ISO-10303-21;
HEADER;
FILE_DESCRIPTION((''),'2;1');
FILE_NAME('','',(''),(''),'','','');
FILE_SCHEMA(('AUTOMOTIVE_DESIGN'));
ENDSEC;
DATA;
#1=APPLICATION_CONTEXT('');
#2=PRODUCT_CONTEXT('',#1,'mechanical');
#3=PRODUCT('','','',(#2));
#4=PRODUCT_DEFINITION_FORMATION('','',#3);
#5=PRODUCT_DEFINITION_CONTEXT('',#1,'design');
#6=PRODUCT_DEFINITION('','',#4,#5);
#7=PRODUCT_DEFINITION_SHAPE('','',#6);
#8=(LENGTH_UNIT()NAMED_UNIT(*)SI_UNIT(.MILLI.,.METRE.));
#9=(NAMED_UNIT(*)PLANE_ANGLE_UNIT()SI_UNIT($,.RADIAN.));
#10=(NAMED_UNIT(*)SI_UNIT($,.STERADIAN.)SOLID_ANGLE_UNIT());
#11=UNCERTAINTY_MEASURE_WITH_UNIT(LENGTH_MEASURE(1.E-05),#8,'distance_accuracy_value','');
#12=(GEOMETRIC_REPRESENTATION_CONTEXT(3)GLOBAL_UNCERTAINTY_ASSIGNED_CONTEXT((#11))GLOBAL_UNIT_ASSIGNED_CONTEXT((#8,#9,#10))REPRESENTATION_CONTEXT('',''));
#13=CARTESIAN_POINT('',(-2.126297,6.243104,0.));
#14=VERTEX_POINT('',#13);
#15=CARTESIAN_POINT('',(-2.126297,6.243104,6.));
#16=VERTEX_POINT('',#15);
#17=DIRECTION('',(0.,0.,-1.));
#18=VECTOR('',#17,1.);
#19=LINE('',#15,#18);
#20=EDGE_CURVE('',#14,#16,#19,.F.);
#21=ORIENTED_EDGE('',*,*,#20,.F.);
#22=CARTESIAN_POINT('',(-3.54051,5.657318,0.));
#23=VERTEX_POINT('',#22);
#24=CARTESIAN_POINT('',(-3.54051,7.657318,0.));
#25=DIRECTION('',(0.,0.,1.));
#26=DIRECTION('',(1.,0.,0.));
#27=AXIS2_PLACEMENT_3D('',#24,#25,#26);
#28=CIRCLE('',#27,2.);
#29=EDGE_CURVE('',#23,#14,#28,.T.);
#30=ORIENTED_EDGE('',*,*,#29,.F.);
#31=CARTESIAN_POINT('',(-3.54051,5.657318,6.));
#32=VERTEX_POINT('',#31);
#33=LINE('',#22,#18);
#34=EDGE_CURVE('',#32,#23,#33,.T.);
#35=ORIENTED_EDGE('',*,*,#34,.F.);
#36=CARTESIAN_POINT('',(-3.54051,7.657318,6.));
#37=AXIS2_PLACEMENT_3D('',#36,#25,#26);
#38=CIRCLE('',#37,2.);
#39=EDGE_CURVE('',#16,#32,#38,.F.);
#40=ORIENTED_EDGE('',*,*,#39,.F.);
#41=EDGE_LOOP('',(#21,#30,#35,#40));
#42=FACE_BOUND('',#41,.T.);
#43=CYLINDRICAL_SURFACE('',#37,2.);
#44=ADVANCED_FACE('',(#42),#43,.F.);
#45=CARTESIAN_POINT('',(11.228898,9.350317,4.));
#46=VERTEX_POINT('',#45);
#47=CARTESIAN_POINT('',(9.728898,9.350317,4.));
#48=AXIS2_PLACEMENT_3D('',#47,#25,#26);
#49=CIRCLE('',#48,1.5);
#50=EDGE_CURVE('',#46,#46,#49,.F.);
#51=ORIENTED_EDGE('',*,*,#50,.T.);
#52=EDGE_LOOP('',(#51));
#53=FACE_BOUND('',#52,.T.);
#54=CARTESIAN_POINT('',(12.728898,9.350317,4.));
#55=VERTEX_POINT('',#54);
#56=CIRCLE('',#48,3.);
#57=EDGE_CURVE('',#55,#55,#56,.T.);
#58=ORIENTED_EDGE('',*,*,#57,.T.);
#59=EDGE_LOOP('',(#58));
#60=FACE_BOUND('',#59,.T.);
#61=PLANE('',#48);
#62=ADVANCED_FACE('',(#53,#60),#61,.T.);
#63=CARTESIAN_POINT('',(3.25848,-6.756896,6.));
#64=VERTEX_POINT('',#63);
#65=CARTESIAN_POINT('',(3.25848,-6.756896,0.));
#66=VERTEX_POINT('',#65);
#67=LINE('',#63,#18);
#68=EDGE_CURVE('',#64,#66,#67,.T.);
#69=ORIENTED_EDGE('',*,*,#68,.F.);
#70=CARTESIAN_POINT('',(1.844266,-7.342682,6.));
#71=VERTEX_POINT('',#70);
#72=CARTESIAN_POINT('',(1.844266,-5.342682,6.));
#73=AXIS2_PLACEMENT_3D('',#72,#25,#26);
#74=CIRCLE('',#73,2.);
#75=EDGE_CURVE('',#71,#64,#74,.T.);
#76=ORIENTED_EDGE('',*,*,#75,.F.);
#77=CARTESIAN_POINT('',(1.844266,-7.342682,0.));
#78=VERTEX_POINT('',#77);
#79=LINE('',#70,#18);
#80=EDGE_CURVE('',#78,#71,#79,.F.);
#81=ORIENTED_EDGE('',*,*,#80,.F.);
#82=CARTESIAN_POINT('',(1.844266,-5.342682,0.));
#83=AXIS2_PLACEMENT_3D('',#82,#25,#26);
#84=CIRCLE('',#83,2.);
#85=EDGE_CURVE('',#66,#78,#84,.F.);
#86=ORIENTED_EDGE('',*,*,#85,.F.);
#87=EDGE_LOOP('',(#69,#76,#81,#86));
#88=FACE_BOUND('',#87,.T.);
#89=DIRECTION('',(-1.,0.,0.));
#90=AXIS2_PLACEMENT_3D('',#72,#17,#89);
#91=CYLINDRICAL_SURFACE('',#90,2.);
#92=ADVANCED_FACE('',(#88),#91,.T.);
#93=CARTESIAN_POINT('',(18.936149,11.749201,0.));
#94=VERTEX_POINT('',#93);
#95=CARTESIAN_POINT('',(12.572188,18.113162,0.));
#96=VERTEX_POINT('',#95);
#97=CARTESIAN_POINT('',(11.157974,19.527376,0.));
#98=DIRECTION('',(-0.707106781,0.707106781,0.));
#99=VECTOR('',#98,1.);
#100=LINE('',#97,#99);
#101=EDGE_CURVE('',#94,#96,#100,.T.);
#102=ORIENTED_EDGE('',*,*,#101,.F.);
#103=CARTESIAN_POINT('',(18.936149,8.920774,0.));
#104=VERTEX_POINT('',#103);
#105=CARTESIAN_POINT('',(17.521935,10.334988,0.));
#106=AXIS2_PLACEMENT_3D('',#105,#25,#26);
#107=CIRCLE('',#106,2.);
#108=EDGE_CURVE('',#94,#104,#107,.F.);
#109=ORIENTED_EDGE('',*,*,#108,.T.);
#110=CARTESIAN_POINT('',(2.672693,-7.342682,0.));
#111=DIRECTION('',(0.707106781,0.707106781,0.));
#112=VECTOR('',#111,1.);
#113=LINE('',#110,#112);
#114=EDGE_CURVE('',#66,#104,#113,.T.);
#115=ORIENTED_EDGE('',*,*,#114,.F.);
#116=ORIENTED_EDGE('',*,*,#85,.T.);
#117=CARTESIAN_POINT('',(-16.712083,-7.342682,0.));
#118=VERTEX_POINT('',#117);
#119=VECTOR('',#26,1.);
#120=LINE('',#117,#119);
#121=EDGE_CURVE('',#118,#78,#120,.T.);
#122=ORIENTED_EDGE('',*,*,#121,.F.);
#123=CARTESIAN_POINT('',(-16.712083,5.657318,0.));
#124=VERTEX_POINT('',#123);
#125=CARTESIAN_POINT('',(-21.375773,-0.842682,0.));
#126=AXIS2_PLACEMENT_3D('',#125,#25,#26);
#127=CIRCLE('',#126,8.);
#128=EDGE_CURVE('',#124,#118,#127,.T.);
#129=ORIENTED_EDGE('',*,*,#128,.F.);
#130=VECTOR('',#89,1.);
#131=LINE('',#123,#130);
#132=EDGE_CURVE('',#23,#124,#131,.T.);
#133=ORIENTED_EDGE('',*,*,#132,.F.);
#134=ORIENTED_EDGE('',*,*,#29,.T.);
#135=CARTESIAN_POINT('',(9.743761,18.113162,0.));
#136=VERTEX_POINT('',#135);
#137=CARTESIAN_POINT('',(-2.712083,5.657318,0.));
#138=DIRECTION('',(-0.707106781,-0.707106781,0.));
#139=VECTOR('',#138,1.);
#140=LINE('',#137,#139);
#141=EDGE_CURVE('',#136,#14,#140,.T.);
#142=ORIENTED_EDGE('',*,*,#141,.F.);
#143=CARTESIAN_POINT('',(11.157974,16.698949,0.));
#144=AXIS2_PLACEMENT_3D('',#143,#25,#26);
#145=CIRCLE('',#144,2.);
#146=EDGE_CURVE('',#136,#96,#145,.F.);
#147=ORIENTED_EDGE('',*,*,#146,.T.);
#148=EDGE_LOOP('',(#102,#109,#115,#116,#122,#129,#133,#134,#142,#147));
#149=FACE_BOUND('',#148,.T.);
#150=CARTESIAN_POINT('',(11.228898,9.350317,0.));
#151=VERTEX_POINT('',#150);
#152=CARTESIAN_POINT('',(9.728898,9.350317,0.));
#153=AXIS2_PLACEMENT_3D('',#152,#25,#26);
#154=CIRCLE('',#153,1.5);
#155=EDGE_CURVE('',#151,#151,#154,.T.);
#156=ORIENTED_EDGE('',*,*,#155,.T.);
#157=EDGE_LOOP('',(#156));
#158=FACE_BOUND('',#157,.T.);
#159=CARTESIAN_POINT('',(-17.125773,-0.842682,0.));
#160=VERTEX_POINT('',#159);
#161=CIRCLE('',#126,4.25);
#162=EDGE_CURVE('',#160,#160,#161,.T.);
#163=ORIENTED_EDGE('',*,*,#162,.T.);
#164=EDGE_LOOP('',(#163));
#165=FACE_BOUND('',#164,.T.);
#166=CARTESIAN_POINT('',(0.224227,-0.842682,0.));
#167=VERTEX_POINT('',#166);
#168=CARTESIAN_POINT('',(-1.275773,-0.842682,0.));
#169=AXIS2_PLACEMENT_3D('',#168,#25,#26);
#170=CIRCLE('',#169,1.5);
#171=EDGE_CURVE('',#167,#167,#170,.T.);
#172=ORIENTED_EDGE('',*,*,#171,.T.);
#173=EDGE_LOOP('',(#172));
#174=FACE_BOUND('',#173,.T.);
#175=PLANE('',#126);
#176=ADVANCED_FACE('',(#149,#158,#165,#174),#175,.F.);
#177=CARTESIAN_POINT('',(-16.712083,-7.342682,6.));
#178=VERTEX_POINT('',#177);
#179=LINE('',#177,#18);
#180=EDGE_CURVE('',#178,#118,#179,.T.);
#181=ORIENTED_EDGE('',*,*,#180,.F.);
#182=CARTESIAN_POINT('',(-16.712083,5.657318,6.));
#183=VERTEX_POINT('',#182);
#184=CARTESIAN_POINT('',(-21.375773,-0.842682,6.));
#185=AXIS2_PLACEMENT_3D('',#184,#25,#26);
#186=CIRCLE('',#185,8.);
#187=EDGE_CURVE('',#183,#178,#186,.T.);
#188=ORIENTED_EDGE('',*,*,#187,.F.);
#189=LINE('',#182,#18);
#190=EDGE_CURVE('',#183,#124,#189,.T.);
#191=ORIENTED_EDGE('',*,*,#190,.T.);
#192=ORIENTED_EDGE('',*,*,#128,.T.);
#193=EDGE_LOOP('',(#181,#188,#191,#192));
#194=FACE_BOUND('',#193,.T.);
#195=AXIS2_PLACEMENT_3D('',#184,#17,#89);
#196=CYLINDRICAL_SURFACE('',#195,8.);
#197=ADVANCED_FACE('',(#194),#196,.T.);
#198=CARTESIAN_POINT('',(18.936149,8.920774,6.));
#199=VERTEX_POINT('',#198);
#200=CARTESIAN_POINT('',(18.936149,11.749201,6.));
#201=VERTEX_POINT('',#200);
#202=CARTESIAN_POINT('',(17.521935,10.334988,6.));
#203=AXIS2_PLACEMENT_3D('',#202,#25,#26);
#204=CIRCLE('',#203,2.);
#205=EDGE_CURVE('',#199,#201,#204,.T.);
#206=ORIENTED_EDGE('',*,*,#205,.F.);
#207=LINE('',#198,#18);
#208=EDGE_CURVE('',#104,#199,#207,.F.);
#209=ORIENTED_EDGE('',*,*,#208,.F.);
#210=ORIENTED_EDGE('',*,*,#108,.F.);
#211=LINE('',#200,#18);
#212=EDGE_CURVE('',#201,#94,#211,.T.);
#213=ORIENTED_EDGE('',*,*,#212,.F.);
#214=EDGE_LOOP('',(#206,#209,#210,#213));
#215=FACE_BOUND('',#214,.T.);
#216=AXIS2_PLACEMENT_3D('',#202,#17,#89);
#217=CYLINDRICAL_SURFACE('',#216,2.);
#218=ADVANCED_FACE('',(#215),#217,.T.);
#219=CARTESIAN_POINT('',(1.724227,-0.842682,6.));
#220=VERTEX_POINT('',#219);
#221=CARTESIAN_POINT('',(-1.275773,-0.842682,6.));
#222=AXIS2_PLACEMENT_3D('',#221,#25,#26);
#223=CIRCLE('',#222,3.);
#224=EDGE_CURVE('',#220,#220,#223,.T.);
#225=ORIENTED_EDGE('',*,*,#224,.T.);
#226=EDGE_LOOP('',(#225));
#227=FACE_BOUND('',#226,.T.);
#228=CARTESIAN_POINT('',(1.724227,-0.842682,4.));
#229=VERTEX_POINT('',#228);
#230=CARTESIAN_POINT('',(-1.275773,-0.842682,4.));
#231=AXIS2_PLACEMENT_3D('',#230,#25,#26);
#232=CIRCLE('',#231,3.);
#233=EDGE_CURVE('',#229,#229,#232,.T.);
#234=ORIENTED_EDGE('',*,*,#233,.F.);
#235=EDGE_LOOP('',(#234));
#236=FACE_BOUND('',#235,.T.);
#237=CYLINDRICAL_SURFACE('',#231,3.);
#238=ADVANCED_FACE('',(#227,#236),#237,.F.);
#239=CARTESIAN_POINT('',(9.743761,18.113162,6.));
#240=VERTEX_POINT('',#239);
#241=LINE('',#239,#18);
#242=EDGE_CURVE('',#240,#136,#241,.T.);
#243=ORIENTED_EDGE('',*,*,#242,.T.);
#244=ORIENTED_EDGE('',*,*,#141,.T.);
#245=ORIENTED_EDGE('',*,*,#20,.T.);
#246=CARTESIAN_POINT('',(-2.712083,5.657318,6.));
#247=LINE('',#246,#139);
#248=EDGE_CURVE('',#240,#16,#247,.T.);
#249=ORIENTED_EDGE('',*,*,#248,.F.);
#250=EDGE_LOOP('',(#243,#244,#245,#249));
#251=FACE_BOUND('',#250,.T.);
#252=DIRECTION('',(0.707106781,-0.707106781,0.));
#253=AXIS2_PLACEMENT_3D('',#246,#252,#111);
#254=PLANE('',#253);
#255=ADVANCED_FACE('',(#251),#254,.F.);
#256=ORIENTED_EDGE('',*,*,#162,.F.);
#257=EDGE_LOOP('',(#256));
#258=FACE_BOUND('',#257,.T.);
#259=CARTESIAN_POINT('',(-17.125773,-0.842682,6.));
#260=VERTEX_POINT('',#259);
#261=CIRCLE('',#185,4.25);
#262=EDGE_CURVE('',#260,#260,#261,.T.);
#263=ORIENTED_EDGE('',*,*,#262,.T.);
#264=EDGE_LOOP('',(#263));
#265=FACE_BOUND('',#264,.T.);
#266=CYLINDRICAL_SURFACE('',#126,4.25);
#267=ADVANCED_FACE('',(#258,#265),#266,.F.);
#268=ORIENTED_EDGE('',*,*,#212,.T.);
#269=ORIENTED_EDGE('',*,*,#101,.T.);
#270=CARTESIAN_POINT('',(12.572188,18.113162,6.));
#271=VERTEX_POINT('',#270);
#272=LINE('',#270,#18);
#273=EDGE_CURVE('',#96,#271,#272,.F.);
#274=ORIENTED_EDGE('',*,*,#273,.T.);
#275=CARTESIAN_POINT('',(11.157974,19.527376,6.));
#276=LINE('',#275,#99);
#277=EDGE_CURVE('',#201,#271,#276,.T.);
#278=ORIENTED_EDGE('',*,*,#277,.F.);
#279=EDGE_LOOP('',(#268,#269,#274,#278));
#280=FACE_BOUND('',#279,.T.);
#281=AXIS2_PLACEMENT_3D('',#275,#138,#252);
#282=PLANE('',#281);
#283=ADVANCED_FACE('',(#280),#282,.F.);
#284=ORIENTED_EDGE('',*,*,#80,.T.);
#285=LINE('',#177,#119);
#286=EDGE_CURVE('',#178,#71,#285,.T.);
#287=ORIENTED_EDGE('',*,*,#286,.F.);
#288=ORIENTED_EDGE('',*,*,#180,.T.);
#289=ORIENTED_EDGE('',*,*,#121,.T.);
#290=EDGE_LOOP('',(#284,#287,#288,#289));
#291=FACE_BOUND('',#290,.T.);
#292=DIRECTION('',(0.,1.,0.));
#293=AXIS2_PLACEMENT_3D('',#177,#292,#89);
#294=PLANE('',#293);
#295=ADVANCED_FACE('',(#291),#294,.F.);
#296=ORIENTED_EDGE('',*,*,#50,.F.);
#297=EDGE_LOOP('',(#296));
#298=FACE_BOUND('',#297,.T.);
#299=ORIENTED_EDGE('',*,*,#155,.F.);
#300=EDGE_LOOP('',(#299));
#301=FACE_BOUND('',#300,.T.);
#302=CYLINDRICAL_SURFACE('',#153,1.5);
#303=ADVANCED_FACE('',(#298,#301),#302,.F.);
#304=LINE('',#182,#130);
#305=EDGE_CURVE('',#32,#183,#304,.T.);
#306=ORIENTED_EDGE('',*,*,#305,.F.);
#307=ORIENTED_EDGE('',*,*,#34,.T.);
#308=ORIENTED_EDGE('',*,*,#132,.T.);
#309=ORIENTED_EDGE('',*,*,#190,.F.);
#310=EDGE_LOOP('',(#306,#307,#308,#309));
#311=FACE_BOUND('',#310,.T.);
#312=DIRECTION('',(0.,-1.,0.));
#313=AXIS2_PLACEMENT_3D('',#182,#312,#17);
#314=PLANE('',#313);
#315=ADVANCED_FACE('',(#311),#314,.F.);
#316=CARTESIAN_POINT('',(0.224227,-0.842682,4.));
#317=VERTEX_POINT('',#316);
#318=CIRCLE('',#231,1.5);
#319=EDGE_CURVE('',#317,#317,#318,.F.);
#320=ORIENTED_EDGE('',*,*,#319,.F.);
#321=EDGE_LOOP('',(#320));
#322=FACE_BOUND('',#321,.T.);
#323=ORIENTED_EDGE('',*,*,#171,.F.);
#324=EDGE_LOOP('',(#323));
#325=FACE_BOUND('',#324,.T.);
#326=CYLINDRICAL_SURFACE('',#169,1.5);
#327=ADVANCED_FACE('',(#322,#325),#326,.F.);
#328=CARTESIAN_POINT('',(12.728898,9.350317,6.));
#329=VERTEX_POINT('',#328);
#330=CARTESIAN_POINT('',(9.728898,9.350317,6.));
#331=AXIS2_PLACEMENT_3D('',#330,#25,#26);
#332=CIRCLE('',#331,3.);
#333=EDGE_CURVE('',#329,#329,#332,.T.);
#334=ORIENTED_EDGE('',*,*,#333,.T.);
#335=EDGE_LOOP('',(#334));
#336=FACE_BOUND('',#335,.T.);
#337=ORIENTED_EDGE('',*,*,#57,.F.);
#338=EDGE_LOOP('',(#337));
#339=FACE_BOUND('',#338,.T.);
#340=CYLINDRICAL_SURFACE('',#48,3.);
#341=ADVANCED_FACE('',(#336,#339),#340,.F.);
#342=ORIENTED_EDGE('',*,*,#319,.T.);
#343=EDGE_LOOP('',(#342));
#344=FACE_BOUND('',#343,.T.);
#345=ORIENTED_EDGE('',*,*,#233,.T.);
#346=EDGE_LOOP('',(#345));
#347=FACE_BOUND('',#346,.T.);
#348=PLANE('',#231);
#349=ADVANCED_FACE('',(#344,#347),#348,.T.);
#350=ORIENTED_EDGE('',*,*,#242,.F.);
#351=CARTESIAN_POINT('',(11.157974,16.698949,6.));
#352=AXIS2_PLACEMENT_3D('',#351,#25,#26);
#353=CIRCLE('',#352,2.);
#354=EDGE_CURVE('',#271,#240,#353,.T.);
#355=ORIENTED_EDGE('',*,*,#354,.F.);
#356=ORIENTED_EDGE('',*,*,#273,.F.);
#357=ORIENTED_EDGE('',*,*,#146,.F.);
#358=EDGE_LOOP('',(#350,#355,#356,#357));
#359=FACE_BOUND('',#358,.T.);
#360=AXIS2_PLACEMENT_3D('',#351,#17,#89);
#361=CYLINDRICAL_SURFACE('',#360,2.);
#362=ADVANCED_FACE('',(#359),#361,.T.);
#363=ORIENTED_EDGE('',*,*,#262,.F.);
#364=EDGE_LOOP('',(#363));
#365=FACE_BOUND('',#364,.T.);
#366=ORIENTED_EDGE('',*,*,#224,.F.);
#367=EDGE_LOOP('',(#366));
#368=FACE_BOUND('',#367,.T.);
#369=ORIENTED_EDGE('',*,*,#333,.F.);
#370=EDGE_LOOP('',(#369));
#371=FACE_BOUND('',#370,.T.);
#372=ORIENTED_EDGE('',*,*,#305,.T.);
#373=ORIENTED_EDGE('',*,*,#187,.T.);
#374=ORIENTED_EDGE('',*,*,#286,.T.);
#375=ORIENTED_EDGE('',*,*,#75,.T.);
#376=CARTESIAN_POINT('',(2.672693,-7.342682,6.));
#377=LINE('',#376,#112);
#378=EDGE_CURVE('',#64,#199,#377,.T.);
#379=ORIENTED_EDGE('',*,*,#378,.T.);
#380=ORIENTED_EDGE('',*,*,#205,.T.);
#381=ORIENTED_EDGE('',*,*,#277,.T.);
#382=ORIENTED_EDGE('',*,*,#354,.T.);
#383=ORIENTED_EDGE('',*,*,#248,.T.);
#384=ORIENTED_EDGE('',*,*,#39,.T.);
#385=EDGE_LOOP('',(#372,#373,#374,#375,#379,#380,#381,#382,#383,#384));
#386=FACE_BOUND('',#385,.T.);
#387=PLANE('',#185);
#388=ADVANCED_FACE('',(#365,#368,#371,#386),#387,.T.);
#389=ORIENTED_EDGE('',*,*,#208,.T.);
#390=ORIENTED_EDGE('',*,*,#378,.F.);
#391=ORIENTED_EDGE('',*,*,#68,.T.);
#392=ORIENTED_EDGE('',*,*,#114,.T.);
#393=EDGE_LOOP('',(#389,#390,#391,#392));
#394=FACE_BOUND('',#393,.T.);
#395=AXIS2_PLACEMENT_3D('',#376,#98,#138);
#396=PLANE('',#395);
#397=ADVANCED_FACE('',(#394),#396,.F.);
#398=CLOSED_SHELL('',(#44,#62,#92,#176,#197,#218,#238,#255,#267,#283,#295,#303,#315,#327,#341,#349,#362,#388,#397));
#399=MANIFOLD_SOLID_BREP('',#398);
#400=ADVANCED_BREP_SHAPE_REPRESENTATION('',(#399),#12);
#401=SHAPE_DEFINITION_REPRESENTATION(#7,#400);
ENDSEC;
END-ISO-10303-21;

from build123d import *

# Parameters (mm, degrees)
BOSS_EXTRU_1_DEPTH      = 6
CONG_1_R                = 2
ESQUISSE2_R             = 4.25
ESQUISSE2_R_2           = 1.5
ENL_V_MAT_EXTRU_1_DEPTH = 36.335346375
ESQUISSE3_R             = 3
ENL_V_MAT_EXTRU_2_DEPTH = 2


with BuildPart() as part:
    # Esquisse1 → Boss.-Extru.1 (new body)
    with BuildSketch(Plane.XY):
        with BuildLine():
            Line((-16.712083242, 5.657318013), (-2.712083242, 5.657318013))
            Line((-2.712083242, 5.657318013), (11.157974444, 19.527375698))
            Line((11.157974444, 19.527375698), (20.350362599, 10.334987543))
            Line((20.350362599, 10.334987543), (2.672693069, -7.342681987))
            Line((2.672693069, -7.342681987), (-16.712083242, -7.342681987))
            ThreePointArc((-16.712083242, -7.342681987), (-29.375772768, -0.842681987), (-16.712083242, 5.657318013))
        make_face()
    extrude(amount=BOSS_EXTRU_1_DEPTH)

    # Congé1
    cong_1_edges = [part.edges().sort_by_distance(p)[0] for p in [
        (-2.712083242, 5.657318013, 3),
        (11.157974444, 19.527375698, 3),
        (20.350362599, 10.334987543, 3),
        (2.672693069, -7.342681987, 3),
    ]]
    fillet(cong_1_edges, radius=CONG_1_R)

    # Esquisse2 → Enlèv. mat.-Extru.1 (cut, through all)
    with BuildSketch(Plane.XY.offset(6)):
        with Locations((-21.375772768, -0.842681987)):
            Circle(ESQUISSE2_R)
        with Locations((-1.275772768, -0.842681987)):
            Circle(ESQUISSE2_R_2)
        with Locations((9.728897785, 9.350316885)):
            Circle(ESQUISSE2_R_2)
    extrude(amount=-ENL_V_MAT_EXTRU_1_DEPTH, mode=Mode.SUBTRACT)

    # Esquisse3 → Enlèv. mat.-Extru.2 (cut)
    with BuildSketch(Plane.XY.offset(6)):
        with Locations((-1.275772768, -0.842681987)):
            Circle(ESQUISSE3_R)
        with Locations((9.728897785, 9.350316885)):
            Circle(ESQUISSE3_R)
    extrude(amount=-ENL_V_MAT_EXTRU_2_DEPTH, mode=Mode.SUBTRACT)


solid = part.part
